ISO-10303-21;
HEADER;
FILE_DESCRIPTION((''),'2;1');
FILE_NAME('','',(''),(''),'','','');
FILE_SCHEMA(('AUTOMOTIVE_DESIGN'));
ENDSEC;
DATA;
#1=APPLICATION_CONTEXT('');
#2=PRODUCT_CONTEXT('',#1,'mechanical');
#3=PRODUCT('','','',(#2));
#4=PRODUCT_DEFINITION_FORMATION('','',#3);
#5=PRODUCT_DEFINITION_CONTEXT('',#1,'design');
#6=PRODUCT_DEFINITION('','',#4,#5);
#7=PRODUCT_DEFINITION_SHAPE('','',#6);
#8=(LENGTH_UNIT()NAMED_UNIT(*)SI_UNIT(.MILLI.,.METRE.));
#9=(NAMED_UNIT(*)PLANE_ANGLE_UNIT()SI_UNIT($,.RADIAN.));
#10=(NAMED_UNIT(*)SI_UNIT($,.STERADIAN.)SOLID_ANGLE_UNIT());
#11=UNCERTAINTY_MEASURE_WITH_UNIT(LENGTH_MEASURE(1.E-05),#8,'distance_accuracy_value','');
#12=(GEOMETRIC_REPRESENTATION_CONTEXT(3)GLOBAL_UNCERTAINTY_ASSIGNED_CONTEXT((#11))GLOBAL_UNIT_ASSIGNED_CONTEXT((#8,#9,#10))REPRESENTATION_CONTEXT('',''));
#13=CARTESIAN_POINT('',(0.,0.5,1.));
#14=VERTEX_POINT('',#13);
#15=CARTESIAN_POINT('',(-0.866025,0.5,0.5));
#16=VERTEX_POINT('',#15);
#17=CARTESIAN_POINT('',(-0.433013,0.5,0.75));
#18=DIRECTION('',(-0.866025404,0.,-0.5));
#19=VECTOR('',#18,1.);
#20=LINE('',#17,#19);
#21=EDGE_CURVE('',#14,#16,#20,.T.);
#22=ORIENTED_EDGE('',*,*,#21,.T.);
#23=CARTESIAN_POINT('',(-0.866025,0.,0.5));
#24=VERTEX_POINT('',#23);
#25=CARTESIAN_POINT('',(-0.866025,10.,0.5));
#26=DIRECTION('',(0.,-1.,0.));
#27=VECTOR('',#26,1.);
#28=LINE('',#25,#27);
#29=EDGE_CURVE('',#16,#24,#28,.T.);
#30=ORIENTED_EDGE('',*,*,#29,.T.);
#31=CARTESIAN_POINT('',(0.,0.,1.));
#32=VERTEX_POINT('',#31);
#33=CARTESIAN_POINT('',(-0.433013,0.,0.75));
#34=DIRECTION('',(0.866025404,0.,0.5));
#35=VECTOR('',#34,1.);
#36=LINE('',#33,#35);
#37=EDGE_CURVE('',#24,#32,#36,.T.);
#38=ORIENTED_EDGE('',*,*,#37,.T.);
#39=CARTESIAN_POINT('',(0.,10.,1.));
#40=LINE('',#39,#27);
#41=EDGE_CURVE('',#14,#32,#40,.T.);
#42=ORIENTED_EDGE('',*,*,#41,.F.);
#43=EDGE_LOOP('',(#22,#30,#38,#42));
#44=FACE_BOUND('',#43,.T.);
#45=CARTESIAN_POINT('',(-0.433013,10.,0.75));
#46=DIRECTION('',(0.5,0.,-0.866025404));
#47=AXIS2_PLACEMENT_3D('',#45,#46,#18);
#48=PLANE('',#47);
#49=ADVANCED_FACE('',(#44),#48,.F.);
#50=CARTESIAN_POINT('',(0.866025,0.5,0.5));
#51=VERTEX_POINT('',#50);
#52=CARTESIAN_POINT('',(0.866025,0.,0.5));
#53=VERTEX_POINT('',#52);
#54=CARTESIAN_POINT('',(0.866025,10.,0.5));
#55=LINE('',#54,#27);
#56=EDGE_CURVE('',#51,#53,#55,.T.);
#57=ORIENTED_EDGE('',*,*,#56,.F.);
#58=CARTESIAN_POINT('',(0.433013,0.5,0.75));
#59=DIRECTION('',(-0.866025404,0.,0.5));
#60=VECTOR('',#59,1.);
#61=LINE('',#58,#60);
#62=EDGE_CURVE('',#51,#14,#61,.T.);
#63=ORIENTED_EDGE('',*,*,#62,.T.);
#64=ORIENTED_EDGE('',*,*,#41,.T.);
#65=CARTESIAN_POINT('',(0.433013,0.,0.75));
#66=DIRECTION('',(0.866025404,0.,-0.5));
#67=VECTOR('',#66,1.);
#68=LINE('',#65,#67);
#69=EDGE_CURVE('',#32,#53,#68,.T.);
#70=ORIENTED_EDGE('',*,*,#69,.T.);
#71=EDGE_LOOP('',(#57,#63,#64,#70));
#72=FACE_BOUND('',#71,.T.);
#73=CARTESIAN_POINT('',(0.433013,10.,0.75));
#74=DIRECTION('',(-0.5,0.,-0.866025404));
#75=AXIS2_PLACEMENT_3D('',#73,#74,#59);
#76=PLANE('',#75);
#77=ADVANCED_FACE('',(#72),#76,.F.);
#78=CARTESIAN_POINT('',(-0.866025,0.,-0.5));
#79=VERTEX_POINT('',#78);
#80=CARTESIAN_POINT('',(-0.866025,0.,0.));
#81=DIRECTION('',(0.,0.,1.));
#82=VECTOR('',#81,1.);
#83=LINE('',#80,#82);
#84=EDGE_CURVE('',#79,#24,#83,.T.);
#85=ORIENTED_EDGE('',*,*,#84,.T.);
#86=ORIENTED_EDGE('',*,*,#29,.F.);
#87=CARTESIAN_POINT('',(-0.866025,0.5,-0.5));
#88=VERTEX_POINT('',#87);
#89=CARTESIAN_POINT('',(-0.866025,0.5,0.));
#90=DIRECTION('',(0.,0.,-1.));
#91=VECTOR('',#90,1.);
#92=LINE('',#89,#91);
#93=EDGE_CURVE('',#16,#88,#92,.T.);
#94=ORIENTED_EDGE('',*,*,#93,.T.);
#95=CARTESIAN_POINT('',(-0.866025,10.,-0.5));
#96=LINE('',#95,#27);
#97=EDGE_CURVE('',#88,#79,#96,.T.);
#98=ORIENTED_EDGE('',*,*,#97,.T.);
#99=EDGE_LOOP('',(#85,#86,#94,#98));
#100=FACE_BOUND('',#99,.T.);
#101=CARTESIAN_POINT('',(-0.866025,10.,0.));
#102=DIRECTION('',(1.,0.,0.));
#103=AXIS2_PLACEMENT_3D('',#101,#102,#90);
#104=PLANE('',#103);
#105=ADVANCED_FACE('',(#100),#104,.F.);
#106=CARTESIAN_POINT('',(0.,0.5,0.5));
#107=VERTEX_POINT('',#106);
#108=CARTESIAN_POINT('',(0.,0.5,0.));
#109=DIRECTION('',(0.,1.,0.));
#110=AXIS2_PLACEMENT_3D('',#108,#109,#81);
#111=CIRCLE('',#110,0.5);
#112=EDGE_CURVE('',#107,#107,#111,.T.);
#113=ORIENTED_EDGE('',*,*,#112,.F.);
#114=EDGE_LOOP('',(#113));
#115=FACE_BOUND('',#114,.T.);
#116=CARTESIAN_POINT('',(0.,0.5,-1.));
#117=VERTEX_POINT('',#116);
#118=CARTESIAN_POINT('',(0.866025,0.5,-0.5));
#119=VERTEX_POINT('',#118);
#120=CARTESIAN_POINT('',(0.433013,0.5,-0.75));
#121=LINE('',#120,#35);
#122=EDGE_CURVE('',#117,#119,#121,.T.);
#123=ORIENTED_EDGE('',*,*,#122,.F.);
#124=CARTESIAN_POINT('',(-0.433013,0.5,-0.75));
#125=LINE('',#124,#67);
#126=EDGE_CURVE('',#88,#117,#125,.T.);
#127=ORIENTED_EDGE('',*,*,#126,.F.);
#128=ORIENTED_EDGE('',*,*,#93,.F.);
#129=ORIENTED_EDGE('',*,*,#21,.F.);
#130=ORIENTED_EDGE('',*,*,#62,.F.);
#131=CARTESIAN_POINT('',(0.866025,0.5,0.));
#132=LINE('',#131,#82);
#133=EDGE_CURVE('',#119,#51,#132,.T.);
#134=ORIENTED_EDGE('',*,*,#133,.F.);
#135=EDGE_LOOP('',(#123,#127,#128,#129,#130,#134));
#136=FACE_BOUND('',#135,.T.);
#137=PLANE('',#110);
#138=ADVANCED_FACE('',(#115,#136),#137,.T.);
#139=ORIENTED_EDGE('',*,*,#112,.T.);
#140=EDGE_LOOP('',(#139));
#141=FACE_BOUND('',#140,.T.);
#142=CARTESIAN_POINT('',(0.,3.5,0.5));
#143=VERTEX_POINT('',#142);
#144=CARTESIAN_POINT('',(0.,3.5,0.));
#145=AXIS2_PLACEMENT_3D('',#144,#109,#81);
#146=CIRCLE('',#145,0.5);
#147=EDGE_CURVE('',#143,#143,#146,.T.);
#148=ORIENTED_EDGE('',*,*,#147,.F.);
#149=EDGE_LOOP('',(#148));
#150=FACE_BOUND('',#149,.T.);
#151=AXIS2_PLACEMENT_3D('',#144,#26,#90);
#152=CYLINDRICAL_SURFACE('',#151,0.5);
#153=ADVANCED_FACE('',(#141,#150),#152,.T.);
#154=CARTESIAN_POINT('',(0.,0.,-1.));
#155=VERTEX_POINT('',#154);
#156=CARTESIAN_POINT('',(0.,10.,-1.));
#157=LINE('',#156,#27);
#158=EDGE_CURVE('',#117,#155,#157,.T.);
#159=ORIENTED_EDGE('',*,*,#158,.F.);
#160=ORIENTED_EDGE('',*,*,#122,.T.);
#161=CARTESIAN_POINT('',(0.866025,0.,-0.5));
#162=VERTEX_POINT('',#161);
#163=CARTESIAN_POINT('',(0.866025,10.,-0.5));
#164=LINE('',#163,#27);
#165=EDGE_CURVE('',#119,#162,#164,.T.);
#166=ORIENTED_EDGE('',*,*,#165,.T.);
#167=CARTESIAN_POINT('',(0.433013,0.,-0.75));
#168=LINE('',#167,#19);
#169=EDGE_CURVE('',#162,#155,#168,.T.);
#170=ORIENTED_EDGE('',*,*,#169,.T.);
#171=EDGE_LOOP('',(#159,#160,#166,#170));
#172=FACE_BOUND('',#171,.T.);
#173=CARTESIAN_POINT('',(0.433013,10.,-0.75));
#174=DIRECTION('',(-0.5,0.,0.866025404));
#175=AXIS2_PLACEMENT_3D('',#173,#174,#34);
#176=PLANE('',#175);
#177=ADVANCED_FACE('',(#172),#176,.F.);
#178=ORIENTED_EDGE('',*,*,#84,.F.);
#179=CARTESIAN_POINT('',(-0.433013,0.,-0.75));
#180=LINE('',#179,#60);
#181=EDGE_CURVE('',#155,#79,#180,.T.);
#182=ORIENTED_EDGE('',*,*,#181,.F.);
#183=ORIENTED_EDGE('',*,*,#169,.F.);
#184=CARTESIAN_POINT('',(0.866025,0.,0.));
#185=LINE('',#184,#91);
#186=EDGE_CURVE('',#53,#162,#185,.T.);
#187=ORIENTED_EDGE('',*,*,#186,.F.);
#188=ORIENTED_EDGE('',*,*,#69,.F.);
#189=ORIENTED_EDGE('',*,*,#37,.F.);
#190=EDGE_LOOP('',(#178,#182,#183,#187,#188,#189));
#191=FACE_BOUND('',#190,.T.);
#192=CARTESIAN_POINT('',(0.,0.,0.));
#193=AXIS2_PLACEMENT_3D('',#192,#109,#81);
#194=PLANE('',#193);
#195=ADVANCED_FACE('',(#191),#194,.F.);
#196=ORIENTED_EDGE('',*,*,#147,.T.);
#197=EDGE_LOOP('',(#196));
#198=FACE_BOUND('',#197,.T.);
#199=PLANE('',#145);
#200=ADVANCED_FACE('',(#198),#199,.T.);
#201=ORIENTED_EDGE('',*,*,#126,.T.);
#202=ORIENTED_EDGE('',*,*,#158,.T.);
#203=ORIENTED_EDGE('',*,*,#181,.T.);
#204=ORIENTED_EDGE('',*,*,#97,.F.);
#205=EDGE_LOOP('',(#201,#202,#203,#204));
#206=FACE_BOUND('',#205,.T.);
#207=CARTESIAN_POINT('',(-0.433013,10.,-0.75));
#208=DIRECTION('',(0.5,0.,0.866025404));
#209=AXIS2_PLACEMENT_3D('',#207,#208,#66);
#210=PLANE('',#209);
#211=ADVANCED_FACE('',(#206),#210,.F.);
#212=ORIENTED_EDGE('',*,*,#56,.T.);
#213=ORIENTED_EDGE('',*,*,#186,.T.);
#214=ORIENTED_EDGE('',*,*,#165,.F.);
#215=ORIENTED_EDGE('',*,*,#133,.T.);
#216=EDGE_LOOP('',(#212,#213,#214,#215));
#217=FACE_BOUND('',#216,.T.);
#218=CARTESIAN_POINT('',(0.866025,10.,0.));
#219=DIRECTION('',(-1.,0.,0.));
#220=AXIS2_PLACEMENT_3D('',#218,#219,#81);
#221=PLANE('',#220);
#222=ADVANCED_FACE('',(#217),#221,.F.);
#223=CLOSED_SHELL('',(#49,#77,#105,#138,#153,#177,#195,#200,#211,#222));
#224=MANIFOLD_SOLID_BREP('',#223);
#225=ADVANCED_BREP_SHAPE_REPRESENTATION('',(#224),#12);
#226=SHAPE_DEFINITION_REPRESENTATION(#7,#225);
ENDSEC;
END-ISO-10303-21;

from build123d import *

# Parameters (mm, degrees)
SKETCH1_R           = 1
BOSS_EXTRUDE1_DEPTH = 0.5
SKETCH2_R           = 0.5
BOSS_EXTRUDE2_DEPTH = 3
SKETCH3_OUTSIDE_W   = 4.9
SKETCH3_OUTSIDE_H   = 4.9
CUT_EXTRUDE1_DEPTH  = 10


with BuildPart() as part:
    # Sketch1 → Boss-Extrude1 (new body)
    with BuildSketch(Plane(origin=(0, 0, 0), x_dir=(1, 0, 0), z_dir=(0, 1, 0))):
        Circle(SKETCH1_R)
    extrude(amount=BOSS_EXTRUDE1_DEPTH)

    # Sketch2 → Boss-Extrude2 (add)
    with BuildSketch(Plane(origin=(0, 0.5, 0), x_dir=(1, 0, 0), z_dir=(0, 1, 0))):
        Circle(SKETCH2_R)
    extrude(amount=BOSS_EXTRUDE2_DEPTH)

    # Sketch3 outside → Cut-Extrude1 (cut)
    with BuildSketch(Plane(origin=(0, 0, 0), x_dir=(-1, 0, 0), z_dir=(0, -1, 0))):
        Rectangle(SKETCH3_OUTSIDE_W, SKETCH3_OUTSIDE_H)
        Polygon((0, 1), (0.866025404, 0.5), (0.866025404, -0.5), (0, -1), (-0.866025404, -0.5), (-0.866025404, 0.5), align=None, mode=Mode.SUBTRACT)
    extrude(amount=-CUT_EXTRUDE1_DEPTH, mode=Mode.SUBTRACT)


solid = part.part
